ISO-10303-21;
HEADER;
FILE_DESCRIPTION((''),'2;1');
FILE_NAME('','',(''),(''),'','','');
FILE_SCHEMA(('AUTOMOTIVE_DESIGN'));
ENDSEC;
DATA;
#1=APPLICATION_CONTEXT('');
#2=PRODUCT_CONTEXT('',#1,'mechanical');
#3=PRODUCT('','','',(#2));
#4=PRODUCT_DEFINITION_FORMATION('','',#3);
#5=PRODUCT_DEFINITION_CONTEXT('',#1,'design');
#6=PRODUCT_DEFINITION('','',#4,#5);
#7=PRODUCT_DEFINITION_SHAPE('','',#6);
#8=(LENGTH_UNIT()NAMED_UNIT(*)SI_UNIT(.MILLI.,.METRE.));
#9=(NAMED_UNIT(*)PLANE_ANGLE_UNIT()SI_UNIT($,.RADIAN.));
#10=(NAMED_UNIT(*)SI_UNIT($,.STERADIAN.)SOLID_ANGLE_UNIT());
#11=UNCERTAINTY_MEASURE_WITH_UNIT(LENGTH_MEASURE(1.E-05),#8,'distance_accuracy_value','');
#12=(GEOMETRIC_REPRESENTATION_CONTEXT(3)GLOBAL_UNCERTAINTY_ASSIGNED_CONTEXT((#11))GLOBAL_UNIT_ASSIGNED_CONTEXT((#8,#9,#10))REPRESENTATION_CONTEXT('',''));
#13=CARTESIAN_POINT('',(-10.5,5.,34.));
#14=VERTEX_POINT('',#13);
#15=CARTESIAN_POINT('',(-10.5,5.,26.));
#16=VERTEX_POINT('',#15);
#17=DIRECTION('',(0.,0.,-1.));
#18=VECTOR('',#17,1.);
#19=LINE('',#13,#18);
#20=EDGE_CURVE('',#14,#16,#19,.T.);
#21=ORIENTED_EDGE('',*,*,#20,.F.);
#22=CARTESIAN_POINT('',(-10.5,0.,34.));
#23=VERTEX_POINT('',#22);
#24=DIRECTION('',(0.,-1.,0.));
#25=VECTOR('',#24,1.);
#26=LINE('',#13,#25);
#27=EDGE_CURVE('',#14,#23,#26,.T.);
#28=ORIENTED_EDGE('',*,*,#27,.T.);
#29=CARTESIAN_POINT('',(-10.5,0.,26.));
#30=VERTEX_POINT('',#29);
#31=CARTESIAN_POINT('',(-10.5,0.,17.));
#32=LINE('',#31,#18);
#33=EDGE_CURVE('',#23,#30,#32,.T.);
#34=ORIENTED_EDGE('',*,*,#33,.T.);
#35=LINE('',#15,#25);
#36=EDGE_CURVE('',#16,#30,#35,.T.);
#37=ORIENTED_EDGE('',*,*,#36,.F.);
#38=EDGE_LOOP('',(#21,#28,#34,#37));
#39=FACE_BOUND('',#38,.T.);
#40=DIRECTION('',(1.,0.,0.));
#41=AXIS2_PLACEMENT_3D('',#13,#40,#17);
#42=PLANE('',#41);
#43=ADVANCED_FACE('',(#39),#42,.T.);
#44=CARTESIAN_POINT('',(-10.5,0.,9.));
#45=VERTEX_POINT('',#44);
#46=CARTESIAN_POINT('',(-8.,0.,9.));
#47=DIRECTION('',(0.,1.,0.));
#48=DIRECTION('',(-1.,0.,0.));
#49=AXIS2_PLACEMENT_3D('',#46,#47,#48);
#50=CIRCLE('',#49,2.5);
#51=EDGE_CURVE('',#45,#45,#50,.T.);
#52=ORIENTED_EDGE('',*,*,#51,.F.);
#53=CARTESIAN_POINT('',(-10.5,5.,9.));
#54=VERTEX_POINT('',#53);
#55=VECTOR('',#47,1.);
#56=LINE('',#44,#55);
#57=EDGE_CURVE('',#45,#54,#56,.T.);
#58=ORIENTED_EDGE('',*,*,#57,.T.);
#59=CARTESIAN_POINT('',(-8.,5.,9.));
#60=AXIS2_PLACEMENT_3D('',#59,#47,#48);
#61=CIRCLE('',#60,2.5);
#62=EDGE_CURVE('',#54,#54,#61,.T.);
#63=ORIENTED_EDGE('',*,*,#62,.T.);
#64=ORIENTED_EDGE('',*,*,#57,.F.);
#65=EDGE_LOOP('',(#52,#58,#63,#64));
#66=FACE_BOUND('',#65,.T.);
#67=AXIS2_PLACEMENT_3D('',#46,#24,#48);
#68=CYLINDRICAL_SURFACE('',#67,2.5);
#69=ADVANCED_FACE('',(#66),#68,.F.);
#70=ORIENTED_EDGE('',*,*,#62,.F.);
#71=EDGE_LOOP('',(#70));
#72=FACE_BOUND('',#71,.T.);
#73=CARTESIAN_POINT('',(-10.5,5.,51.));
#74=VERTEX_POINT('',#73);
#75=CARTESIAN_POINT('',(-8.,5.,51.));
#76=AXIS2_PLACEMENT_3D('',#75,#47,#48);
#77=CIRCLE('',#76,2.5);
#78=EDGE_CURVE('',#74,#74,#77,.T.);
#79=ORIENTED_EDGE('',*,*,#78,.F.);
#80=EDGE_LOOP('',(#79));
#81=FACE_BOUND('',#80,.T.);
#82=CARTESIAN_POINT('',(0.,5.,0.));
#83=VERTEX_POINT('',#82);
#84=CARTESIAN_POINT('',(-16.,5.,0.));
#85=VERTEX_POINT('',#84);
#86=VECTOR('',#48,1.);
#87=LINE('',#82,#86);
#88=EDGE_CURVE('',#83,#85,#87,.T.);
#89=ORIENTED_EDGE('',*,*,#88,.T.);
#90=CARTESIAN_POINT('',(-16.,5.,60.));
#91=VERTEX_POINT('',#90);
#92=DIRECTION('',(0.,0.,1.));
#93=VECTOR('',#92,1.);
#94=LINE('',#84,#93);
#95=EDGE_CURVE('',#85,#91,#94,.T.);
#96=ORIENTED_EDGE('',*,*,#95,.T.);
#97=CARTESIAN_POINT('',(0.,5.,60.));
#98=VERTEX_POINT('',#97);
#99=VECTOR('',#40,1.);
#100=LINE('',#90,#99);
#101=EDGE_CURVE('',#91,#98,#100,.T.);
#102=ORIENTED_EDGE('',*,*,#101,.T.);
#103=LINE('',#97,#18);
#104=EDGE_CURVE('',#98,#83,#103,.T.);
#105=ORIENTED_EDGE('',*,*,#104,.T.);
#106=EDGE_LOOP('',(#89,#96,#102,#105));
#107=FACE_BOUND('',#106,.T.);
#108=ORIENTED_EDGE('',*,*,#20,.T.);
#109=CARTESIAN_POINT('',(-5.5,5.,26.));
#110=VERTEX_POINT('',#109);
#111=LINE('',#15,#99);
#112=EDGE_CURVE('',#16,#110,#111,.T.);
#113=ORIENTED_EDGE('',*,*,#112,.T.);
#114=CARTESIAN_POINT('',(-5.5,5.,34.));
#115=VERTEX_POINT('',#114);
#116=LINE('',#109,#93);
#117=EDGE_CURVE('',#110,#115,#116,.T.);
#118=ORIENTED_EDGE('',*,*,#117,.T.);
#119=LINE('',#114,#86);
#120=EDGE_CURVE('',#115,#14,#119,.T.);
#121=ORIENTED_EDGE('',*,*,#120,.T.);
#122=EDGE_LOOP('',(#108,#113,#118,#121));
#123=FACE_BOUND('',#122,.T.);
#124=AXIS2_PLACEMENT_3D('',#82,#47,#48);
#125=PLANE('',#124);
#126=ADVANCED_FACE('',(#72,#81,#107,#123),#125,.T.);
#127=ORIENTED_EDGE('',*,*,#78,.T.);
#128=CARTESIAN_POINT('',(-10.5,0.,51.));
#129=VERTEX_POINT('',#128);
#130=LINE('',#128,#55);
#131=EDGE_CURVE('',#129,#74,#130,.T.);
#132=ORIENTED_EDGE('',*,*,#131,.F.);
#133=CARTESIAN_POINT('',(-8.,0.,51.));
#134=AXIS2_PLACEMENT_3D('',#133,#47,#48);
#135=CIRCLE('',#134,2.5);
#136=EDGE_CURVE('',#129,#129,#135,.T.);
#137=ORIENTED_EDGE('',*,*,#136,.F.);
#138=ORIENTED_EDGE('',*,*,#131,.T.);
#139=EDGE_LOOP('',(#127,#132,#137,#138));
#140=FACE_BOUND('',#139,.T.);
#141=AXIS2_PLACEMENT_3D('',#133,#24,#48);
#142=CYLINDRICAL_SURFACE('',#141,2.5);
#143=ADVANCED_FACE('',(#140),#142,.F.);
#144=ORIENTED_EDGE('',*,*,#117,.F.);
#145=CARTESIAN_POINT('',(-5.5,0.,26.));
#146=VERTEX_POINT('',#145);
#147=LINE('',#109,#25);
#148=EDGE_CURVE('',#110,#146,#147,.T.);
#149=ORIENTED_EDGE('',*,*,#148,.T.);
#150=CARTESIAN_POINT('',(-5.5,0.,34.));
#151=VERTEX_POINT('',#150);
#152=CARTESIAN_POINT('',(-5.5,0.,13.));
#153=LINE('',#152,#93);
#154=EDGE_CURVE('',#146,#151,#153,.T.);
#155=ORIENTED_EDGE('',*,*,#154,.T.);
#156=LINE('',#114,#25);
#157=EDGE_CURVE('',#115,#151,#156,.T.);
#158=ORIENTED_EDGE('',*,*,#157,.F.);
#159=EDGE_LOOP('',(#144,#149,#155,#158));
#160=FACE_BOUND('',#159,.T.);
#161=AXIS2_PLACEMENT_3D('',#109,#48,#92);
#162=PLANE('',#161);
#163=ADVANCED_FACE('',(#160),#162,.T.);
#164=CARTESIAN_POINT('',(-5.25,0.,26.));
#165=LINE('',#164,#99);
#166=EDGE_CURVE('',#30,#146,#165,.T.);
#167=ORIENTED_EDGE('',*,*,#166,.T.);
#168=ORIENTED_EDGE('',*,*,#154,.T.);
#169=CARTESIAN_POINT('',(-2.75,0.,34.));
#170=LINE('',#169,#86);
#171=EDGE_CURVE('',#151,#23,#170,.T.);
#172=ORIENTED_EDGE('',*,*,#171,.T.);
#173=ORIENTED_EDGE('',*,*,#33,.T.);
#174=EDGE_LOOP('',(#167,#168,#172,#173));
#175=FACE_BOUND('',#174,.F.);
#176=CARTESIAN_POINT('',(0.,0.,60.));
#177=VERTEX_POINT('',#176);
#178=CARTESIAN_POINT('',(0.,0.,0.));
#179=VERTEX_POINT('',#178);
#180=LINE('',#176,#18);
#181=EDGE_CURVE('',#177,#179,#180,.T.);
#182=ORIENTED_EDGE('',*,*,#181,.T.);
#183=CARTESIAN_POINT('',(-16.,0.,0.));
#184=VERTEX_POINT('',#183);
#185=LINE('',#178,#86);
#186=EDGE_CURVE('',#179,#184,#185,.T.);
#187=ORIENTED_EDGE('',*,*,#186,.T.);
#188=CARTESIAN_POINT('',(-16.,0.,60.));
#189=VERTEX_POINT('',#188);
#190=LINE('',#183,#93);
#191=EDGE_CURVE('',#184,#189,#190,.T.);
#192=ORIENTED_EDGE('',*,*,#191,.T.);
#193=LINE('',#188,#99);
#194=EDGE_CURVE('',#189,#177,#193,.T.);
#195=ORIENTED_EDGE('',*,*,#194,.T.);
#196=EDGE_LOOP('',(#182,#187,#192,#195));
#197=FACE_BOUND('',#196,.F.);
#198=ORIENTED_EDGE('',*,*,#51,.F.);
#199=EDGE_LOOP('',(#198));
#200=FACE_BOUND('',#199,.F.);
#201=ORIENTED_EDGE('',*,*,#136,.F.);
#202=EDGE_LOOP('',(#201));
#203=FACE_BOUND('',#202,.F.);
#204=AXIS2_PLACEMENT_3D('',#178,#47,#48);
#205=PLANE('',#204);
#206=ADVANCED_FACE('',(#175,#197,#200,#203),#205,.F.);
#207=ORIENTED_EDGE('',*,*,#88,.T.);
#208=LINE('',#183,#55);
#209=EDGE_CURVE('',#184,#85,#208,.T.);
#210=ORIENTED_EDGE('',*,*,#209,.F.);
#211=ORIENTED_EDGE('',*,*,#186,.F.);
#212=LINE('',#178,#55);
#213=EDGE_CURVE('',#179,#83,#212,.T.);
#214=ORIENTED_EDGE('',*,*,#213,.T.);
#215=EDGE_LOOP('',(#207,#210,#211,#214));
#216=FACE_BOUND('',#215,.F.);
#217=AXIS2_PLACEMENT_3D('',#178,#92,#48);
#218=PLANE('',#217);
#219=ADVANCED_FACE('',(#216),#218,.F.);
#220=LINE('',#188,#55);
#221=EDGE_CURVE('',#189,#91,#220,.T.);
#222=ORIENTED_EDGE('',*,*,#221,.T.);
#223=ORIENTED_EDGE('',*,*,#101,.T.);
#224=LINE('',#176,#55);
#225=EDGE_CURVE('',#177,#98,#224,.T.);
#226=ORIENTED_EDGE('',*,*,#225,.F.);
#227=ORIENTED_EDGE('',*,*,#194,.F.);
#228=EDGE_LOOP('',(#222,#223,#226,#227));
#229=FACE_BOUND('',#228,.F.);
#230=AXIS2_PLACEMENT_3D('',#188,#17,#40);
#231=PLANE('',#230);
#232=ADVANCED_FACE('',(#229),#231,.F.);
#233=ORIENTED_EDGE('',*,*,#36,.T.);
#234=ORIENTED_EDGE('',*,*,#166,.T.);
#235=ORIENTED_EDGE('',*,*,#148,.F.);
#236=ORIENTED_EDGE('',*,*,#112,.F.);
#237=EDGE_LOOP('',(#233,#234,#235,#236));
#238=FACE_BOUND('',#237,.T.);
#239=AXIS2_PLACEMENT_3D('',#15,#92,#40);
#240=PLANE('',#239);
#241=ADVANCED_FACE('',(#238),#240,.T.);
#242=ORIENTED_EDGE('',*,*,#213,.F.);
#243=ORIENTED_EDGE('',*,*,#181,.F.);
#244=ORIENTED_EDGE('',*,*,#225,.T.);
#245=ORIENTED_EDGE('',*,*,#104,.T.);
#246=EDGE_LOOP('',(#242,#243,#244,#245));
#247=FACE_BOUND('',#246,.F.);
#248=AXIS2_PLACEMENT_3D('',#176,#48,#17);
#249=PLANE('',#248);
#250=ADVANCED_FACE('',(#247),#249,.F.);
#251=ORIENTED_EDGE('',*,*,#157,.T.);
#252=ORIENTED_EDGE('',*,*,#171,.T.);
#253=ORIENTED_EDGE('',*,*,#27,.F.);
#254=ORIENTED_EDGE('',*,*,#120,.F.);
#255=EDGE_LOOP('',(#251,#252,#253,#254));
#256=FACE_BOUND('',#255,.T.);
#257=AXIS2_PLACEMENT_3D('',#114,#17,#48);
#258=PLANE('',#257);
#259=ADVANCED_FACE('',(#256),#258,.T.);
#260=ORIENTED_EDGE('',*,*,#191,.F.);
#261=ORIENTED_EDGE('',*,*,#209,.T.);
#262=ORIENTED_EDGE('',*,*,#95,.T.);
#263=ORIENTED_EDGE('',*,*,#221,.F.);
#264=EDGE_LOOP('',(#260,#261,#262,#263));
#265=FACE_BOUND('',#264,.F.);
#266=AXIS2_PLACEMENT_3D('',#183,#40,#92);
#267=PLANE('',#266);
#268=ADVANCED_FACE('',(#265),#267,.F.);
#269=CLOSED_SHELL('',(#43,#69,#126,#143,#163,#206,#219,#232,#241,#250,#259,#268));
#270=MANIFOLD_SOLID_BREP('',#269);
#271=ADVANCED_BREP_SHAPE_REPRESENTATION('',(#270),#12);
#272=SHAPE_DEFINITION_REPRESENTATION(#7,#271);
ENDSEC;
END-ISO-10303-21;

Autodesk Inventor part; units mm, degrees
ref_plane "YZ Plane" through (0, 0, 0) normal (1, 0, 0) x (0, 1, 0)
ref_plane "XZ Plane" through (0, 0, 0) normal (0, 1, 0) x (-1, 0, 0)
ref_plane "XY Plane" through (0, 0, 0) normal (0, 0, 1) x (1, 0, 0)
sketch "Sketch1" plane through (0, 0, 0) normal (0, 1, 0) x (-1, 0, 0)
  line L0 (0, 0) -> (16, 0)
  line L1 (16, 0) -> (16, 60)
  line L2 (16, 60) -> (0, 60)
  line L3 (0, 60) -> (0, 0)
  circle A0 centre (8, 51) radius 2.5
  circle A1 centre (8, 9) radius 2.5
  dimension "d2" = 60
  dimension "d3" = 16
  dimension "d4" = 8
  dimension "d5" = 5
  dimension "d6" = 9
  dimension "d7" = 8
  dimension "d8" = 9
  dimension "d9" = 5
extrude "Extrusion1" add sketch "Sketch1" along normal blind 5
sketch "Sketch2" plane through (0, 5, 0) normal (0, 1, 0) x (1, 0, 0)
  line L0 (-10.5, -26) -> (-5.5, -26)
  line L1 (-5.5, -26) -> (-5.5, -34)
  line L2 (-5.5, -34) -> (-10.5, -34)
  line L3 (-10.5, -34) -> (-10.5, -26)
  line L4 (-16, 0) -> (-16, -60) projected
  line L5 (-16, -60) -> (0, -60) projected
  line L6 (0, -60) -> (0, 0) projected
  dimension "d10" = 8
  dimension "d11" = 5
  dimension "d13" = 26
  dimension "d16" = 5.5
extrude "Extrusion2" cut sketch "Sketch2" against normal through all
properties part number "holder_sideblock"
